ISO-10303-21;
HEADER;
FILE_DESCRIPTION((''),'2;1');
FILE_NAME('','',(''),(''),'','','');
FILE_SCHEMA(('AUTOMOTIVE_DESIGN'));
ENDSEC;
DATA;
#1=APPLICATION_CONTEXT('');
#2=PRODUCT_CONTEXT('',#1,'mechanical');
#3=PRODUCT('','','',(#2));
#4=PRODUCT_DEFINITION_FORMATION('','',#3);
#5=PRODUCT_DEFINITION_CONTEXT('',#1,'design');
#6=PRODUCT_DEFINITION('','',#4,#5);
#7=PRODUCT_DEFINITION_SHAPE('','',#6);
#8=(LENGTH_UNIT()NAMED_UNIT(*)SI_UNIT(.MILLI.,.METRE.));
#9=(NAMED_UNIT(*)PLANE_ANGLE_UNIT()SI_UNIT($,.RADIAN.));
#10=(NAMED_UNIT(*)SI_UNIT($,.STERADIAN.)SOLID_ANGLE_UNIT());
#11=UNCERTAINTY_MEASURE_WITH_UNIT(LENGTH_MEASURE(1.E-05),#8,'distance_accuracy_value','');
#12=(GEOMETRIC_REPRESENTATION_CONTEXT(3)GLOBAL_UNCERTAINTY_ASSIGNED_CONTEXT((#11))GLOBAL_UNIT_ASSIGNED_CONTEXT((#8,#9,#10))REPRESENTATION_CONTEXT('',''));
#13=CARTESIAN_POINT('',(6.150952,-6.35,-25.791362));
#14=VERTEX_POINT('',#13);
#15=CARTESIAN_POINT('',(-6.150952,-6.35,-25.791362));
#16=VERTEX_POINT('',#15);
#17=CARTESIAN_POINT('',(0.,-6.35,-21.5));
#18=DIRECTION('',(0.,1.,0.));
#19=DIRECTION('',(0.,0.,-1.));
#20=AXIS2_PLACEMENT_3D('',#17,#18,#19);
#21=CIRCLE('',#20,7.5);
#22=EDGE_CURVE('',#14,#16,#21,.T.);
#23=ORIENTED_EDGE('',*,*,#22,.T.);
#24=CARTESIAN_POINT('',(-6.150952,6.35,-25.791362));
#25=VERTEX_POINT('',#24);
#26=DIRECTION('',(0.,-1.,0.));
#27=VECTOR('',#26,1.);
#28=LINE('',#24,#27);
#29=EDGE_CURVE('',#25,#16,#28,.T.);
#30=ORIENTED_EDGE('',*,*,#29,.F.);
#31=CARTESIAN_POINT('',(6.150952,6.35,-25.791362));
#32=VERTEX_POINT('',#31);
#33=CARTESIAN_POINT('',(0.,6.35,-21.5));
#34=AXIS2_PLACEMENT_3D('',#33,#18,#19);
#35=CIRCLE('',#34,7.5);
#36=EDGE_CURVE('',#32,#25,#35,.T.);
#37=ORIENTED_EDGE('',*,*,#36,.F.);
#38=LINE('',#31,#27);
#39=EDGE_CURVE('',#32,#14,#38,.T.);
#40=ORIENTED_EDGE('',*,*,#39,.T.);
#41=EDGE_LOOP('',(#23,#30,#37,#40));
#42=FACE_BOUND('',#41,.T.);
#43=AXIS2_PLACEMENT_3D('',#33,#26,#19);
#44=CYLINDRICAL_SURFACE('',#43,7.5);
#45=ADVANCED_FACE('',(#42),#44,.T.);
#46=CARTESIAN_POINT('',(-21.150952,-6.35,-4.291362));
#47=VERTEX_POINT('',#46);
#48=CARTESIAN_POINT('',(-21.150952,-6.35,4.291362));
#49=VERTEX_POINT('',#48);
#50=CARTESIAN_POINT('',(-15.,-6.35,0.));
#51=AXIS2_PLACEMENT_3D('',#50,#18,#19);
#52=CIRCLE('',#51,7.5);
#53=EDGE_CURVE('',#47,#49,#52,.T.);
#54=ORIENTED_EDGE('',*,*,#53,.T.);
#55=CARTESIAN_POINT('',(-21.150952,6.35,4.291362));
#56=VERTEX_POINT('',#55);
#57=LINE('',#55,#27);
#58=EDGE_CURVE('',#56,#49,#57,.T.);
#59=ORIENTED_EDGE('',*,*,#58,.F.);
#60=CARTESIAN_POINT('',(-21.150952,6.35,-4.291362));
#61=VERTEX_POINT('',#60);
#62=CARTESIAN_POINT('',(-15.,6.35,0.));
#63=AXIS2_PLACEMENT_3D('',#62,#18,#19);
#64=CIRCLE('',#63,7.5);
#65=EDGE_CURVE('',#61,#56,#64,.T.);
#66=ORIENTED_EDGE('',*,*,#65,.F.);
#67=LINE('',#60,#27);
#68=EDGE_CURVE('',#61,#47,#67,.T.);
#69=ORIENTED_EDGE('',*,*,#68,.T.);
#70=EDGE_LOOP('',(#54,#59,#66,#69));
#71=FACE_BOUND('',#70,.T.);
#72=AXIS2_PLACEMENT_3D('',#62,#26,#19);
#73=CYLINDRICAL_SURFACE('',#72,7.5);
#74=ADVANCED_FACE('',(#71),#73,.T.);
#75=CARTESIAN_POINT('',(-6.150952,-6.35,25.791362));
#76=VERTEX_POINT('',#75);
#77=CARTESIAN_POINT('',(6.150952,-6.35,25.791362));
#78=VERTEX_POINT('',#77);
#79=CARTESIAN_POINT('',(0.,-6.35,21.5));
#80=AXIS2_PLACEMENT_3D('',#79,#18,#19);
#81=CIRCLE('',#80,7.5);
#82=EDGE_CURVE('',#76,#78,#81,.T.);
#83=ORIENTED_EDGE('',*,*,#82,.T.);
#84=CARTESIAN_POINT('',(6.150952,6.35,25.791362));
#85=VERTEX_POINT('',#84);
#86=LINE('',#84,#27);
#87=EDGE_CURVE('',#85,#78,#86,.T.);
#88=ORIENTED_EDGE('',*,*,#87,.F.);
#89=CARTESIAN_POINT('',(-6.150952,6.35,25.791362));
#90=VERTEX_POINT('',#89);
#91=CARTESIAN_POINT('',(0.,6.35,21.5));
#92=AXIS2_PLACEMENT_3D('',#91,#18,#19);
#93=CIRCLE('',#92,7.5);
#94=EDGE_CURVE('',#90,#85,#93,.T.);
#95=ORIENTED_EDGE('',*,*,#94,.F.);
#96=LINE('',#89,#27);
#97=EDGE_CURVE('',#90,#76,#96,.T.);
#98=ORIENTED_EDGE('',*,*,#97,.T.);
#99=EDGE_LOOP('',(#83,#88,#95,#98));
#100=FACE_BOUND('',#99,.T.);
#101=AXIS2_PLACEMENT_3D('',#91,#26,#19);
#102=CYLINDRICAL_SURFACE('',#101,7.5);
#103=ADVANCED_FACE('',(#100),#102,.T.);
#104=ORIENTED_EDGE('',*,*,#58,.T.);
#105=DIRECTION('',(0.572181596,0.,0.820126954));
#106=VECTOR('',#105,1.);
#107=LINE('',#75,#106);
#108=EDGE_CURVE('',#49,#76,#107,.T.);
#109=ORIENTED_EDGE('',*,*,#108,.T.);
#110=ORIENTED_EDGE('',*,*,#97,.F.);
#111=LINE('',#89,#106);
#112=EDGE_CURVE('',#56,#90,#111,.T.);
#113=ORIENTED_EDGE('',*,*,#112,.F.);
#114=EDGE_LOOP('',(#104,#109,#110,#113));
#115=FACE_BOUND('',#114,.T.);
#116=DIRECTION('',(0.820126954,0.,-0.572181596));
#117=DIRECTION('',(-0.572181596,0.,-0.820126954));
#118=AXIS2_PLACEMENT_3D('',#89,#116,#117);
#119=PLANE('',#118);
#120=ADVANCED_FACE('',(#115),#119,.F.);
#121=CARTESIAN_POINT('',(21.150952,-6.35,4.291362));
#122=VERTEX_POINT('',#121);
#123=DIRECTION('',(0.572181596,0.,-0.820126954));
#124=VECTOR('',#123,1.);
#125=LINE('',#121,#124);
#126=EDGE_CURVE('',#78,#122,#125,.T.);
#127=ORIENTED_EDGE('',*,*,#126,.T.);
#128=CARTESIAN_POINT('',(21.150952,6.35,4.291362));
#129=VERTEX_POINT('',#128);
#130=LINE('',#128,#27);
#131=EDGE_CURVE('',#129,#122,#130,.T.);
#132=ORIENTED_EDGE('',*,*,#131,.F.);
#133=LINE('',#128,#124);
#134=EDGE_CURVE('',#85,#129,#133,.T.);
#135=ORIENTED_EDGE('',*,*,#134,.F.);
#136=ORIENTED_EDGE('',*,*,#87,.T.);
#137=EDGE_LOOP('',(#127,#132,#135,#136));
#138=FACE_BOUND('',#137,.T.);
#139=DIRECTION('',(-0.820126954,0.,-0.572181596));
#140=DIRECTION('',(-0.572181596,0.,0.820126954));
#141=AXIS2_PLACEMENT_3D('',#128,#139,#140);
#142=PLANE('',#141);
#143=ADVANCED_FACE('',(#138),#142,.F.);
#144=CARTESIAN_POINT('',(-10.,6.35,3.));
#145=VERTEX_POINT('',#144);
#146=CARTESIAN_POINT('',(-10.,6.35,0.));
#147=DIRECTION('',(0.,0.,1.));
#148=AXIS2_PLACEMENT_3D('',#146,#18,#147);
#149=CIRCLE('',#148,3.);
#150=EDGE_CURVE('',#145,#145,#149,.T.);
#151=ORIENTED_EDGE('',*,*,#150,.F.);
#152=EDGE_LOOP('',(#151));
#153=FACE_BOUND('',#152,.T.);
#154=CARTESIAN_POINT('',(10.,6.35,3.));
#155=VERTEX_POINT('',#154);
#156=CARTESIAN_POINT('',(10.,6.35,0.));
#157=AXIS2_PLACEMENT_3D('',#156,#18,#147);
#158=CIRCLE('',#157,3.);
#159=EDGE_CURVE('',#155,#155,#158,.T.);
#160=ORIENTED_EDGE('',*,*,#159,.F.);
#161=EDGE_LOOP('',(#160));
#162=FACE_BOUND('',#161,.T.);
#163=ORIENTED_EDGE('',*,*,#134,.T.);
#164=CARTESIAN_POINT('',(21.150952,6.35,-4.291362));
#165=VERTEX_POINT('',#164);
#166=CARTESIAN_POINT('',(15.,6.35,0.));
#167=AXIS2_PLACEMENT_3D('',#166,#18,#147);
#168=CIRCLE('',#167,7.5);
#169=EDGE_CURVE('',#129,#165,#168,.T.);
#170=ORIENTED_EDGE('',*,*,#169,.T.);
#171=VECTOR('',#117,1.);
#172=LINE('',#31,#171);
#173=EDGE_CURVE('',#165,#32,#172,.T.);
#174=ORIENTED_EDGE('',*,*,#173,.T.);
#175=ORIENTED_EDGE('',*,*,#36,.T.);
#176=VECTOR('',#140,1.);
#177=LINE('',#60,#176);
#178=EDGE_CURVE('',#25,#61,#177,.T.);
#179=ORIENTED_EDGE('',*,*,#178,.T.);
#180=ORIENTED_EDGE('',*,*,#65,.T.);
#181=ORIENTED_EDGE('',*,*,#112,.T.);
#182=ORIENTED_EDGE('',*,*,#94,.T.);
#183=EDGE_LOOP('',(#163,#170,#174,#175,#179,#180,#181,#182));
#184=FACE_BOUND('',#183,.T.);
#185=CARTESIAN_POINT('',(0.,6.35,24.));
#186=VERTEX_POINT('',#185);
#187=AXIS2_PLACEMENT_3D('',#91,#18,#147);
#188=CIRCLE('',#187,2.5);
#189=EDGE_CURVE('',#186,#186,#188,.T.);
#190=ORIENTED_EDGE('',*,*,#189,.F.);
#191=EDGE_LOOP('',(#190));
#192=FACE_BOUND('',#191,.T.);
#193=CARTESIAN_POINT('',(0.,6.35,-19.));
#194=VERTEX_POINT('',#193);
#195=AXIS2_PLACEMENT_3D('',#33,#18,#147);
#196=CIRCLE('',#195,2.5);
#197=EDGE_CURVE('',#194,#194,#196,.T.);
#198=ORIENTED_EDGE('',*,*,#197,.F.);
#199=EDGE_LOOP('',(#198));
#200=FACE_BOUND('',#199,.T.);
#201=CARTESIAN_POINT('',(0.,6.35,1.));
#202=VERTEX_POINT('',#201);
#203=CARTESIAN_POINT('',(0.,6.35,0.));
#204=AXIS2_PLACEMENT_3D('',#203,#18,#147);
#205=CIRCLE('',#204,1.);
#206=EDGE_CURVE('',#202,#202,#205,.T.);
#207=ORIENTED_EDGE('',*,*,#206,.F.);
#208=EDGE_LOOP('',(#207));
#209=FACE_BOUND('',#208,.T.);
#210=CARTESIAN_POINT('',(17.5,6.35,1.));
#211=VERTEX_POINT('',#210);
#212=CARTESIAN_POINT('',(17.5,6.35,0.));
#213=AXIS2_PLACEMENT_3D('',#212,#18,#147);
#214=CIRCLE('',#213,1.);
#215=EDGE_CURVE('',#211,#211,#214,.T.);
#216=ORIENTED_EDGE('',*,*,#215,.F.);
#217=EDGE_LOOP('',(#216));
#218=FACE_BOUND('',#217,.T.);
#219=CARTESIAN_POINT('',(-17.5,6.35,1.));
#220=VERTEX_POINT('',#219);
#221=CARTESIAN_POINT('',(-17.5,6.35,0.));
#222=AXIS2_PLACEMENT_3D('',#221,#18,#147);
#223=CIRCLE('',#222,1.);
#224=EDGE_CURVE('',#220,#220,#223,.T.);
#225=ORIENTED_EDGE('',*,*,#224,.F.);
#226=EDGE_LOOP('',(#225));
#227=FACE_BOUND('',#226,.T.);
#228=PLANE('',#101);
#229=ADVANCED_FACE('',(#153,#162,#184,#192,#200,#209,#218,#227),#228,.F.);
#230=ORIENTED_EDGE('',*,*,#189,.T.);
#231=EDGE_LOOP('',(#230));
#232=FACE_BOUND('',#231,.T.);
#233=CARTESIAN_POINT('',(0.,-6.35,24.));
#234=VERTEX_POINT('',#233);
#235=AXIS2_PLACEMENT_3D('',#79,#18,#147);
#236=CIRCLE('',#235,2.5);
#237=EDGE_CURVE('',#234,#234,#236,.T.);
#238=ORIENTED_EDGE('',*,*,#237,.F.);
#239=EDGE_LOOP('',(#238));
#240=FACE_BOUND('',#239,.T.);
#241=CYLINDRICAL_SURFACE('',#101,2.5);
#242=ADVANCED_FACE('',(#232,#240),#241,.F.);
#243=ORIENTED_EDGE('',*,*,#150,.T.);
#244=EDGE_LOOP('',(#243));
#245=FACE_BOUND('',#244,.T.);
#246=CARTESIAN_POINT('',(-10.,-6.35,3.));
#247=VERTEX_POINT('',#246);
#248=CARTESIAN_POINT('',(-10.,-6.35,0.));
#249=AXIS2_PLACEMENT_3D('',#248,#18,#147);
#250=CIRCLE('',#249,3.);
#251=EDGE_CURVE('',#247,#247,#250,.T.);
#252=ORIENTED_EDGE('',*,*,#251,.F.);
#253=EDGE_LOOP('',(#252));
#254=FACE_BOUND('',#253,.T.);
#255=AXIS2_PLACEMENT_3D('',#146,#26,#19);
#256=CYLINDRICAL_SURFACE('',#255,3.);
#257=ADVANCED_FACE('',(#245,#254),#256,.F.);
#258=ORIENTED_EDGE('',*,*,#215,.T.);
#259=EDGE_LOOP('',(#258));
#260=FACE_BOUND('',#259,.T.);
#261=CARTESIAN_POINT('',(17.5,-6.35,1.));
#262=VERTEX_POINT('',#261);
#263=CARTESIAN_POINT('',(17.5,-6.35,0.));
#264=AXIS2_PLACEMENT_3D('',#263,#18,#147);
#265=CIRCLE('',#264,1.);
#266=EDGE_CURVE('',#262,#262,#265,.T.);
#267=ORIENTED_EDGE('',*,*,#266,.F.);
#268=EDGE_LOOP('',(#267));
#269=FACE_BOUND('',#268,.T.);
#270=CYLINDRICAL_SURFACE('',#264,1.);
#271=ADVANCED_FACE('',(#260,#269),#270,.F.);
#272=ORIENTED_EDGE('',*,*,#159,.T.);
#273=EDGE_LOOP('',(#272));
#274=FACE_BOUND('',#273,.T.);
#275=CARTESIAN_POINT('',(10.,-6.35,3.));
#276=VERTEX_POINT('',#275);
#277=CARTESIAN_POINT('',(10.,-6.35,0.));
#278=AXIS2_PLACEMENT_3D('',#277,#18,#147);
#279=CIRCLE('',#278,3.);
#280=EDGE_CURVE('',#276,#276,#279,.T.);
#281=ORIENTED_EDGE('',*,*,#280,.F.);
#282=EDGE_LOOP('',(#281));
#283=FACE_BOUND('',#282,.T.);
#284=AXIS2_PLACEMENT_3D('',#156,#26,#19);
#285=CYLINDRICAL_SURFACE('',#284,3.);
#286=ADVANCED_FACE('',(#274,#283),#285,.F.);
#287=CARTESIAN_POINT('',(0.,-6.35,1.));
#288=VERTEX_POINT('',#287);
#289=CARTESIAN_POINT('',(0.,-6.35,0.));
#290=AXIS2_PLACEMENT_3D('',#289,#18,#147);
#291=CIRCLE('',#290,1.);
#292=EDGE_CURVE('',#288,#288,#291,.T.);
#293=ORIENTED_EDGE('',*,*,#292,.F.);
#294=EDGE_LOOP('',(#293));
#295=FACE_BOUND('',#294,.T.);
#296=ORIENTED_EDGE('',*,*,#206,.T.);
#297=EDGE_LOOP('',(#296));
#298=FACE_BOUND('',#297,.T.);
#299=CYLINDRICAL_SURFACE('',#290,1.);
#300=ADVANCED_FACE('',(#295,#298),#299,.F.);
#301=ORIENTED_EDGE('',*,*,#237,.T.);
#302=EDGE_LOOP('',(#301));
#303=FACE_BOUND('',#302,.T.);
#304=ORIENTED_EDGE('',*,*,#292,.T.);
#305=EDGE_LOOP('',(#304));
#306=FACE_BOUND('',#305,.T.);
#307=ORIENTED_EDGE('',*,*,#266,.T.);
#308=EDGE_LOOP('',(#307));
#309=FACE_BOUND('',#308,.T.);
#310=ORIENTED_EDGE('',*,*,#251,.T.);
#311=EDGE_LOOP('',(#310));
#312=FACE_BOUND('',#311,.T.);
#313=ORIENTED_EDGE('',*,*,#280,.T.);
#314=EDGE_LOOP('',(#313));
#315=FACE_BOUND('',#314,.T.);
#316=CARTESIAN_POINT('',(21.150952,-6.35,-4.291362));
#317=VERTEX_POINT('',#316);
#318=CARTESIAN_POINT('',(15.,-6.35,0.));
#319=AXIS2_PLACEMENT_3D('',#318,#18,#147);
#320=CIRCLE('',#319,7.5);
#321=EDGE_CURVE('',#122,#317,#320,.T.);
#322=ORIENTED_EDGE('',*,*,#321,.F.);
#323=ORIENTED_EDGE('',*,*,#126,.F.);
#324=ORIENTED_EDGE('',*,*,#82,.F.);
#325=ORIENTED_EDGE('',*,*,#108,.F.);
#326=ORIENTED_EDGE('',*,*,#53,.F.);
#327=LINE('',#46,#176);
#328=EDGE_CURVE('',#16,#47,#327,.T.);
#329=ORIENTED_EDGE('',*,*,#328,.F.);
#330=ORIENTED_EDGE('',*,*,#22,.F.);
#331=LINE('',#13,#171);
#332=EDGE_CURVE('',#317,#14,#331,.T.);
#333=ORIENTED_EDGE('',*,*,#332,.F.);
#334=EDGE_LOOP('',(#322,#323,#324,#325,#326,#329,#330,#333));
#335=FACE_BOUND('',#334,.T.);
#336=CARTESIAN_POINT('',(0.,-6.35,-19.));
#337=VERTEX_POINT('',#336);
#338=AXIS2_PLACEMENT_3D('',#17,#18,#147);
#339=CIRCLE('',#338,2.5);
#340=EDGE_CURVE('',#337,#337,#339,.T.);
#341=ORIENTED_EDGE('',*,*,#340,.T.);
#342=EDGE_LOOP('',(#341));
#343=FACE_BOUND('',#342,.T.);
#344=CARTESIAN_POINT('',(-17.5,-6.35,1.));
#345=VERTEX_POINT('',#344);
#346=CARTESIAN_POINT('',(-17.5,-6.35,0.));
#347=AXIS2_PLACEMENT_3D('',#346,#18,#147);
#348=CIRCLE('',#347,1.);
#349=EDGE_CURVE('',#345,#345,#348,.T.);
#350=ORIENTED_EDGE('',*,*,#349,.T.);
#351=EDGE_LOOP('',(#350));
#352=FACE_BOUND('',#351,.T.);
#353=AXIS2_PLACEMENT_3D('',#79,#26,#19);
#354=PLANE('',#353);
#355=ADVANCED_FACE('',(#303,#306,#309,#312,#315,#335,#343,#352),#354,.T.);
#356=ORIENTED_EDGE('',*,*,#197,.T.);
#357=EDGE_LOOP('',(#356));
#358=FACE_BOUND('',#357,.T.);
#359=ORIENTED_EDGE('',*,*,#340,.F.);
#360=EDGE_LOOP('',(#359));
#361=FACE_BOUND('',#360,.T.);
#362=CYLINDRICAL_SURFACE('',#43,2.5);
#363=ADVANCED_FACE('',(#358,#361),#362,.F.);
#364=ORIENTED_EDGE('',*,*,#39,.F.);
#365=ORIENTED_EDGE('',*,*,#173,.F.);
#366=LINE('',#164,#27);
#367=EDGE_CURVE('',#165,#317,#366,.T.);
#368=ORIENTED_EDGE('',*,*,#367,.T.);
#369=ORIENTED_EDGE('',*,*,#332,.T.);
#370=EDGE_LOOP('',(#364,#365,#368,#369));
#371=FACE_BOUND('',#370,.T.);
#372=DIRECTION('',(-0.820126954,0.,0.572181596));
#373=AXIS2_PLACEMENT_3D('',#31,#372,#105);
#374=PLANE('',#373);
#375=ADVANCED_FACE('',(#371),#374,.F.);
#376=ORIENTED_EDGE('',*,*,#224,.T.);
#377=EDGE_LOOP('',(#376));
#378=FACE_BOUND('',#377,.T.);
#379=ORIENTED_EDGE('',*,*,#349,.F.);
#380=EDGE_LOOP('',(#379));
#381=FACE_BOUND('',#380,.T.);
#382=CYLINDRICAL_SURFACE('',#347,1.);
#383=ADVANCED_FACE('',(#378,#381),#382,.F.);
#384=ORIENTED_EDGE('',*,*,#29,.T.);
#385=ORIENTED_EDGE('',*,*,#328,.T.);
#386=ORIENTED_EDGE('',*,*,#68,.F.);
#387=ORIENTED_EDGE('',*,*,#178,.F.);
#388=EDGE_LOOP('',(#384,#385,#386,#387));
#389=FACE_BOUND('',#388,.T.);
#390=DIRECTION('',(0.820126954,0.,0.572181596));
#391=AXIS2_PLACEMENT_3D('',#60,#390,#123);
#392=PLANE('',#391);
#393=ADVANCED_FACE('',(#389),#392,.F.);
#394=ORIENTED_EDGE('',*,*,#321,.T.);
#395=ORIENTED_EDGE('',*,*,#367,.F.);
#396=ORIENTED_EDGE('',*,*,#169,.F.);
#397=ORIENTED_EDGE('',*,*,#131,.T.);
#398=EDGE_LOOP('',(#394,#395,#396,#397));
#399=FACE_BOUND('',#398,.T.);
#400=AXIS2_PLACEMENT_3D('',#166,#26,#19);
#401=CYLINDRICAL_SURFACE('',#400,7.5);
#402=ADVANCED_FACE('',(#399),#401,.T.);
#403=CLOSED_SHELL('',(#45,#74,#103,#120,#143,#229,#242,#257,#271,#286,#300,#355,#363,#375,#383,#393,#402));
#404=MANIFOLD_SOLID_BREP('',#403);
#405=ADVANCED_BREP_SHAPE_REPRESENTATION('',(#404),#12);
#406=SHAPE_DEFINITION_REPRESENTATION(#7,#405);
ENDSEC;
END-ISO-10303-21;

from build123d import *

# Parameters (mm, degrees)
SKETCH1_R                 = 2.5
SKETCH1_R_2               = 3
BOSS_EXTRUDE1_DEPTH       = 6.35
SKETCH2_R                 = 1
POTENTIOMETER_HOLES_DEPTH = 39.839927909


with BuildPart() as part:
    # Sketch1 → Boss-Extrude1 (new, symmetric)
    with BuildSketch(Plane(origin=(0, 0, 0), x_dir=(1, 0, 0), z_dir=(0, 1, 0))):
        with BuildLine():
            Line((-21.150952157, 4.29136197), (-6.150952157, 25.79136197))
            ThreePointArc((-6.150952157, 25.79136197), (0, 29), (6.150952157, 25.79136197))
            Line((6.150952157, 25.79136197), (21.150952157, 4.29136197))
            ThreePointArc((21.150952157, 4.29136197), (22.5, 0), (21.150952157, -4.29136197))
            Line((21.150952157, -4.29136197), (6.150952157, -25.79136197))
            ThreePointArc((6.150952157, -25.79136197), (0, -29), (-6.150952157, -25.79136197))
            Line((-6.150952157, -25.79136197), (-21.150952157, -4.29136197))
            ThreePointArc((-21.150952157, -4.29136197), (-22.5, 0), (-21.150952157, 4.29136197))
        make_face()
        with Locations(Location((0, 21.5, 0), (0, 0, 270))):
            Circle(SKETCH1_R, mode=Mode.SUBTRACT)
        with Locations(Location((0, -21.5, 0), (0, 0, 270))):
            Circle(SKETCH1_R, mode=Mode.SUBTRACT)
        with Locations(Location((-10, 0, 0), (0, 0, 270))):
            Circle(SKETCH1_R_2, mode=Mode.SUBTRACT)
        with Locations(Location((10, 0, 0), (0, 0, 270))):
            Circle(SKETCH1_R_2, mode=Mode.SUBTRACT)
    extrude(amount=BOSS_EXTRUDE1_DEPTH, both=True)

    # Sketch2 → Potentiometer Holes (cut, through all)
    with BuildSketch(Plane(origin=(0, 6.35, 0), x_dir=(1, 0, 0), z_dir=(0, 1, 0))):
        with Locations(Location((-17.5, 0, 0), (0, 0, 270))):
            Circle(SKETCH2_R)
        with Locations(Location((17.5, 0, 0), (0, 0, 270))):
            Circle(SKETCH2_R)
        with Locations(Location((0, 0, 0), (0, 0, 270))):
            Circle(SKETCH2_R)
    extrude(amount=-POTENTIOMETER_HOLES_DEPTH, mode=Mode.SUBTRACT)


solid = part.part
